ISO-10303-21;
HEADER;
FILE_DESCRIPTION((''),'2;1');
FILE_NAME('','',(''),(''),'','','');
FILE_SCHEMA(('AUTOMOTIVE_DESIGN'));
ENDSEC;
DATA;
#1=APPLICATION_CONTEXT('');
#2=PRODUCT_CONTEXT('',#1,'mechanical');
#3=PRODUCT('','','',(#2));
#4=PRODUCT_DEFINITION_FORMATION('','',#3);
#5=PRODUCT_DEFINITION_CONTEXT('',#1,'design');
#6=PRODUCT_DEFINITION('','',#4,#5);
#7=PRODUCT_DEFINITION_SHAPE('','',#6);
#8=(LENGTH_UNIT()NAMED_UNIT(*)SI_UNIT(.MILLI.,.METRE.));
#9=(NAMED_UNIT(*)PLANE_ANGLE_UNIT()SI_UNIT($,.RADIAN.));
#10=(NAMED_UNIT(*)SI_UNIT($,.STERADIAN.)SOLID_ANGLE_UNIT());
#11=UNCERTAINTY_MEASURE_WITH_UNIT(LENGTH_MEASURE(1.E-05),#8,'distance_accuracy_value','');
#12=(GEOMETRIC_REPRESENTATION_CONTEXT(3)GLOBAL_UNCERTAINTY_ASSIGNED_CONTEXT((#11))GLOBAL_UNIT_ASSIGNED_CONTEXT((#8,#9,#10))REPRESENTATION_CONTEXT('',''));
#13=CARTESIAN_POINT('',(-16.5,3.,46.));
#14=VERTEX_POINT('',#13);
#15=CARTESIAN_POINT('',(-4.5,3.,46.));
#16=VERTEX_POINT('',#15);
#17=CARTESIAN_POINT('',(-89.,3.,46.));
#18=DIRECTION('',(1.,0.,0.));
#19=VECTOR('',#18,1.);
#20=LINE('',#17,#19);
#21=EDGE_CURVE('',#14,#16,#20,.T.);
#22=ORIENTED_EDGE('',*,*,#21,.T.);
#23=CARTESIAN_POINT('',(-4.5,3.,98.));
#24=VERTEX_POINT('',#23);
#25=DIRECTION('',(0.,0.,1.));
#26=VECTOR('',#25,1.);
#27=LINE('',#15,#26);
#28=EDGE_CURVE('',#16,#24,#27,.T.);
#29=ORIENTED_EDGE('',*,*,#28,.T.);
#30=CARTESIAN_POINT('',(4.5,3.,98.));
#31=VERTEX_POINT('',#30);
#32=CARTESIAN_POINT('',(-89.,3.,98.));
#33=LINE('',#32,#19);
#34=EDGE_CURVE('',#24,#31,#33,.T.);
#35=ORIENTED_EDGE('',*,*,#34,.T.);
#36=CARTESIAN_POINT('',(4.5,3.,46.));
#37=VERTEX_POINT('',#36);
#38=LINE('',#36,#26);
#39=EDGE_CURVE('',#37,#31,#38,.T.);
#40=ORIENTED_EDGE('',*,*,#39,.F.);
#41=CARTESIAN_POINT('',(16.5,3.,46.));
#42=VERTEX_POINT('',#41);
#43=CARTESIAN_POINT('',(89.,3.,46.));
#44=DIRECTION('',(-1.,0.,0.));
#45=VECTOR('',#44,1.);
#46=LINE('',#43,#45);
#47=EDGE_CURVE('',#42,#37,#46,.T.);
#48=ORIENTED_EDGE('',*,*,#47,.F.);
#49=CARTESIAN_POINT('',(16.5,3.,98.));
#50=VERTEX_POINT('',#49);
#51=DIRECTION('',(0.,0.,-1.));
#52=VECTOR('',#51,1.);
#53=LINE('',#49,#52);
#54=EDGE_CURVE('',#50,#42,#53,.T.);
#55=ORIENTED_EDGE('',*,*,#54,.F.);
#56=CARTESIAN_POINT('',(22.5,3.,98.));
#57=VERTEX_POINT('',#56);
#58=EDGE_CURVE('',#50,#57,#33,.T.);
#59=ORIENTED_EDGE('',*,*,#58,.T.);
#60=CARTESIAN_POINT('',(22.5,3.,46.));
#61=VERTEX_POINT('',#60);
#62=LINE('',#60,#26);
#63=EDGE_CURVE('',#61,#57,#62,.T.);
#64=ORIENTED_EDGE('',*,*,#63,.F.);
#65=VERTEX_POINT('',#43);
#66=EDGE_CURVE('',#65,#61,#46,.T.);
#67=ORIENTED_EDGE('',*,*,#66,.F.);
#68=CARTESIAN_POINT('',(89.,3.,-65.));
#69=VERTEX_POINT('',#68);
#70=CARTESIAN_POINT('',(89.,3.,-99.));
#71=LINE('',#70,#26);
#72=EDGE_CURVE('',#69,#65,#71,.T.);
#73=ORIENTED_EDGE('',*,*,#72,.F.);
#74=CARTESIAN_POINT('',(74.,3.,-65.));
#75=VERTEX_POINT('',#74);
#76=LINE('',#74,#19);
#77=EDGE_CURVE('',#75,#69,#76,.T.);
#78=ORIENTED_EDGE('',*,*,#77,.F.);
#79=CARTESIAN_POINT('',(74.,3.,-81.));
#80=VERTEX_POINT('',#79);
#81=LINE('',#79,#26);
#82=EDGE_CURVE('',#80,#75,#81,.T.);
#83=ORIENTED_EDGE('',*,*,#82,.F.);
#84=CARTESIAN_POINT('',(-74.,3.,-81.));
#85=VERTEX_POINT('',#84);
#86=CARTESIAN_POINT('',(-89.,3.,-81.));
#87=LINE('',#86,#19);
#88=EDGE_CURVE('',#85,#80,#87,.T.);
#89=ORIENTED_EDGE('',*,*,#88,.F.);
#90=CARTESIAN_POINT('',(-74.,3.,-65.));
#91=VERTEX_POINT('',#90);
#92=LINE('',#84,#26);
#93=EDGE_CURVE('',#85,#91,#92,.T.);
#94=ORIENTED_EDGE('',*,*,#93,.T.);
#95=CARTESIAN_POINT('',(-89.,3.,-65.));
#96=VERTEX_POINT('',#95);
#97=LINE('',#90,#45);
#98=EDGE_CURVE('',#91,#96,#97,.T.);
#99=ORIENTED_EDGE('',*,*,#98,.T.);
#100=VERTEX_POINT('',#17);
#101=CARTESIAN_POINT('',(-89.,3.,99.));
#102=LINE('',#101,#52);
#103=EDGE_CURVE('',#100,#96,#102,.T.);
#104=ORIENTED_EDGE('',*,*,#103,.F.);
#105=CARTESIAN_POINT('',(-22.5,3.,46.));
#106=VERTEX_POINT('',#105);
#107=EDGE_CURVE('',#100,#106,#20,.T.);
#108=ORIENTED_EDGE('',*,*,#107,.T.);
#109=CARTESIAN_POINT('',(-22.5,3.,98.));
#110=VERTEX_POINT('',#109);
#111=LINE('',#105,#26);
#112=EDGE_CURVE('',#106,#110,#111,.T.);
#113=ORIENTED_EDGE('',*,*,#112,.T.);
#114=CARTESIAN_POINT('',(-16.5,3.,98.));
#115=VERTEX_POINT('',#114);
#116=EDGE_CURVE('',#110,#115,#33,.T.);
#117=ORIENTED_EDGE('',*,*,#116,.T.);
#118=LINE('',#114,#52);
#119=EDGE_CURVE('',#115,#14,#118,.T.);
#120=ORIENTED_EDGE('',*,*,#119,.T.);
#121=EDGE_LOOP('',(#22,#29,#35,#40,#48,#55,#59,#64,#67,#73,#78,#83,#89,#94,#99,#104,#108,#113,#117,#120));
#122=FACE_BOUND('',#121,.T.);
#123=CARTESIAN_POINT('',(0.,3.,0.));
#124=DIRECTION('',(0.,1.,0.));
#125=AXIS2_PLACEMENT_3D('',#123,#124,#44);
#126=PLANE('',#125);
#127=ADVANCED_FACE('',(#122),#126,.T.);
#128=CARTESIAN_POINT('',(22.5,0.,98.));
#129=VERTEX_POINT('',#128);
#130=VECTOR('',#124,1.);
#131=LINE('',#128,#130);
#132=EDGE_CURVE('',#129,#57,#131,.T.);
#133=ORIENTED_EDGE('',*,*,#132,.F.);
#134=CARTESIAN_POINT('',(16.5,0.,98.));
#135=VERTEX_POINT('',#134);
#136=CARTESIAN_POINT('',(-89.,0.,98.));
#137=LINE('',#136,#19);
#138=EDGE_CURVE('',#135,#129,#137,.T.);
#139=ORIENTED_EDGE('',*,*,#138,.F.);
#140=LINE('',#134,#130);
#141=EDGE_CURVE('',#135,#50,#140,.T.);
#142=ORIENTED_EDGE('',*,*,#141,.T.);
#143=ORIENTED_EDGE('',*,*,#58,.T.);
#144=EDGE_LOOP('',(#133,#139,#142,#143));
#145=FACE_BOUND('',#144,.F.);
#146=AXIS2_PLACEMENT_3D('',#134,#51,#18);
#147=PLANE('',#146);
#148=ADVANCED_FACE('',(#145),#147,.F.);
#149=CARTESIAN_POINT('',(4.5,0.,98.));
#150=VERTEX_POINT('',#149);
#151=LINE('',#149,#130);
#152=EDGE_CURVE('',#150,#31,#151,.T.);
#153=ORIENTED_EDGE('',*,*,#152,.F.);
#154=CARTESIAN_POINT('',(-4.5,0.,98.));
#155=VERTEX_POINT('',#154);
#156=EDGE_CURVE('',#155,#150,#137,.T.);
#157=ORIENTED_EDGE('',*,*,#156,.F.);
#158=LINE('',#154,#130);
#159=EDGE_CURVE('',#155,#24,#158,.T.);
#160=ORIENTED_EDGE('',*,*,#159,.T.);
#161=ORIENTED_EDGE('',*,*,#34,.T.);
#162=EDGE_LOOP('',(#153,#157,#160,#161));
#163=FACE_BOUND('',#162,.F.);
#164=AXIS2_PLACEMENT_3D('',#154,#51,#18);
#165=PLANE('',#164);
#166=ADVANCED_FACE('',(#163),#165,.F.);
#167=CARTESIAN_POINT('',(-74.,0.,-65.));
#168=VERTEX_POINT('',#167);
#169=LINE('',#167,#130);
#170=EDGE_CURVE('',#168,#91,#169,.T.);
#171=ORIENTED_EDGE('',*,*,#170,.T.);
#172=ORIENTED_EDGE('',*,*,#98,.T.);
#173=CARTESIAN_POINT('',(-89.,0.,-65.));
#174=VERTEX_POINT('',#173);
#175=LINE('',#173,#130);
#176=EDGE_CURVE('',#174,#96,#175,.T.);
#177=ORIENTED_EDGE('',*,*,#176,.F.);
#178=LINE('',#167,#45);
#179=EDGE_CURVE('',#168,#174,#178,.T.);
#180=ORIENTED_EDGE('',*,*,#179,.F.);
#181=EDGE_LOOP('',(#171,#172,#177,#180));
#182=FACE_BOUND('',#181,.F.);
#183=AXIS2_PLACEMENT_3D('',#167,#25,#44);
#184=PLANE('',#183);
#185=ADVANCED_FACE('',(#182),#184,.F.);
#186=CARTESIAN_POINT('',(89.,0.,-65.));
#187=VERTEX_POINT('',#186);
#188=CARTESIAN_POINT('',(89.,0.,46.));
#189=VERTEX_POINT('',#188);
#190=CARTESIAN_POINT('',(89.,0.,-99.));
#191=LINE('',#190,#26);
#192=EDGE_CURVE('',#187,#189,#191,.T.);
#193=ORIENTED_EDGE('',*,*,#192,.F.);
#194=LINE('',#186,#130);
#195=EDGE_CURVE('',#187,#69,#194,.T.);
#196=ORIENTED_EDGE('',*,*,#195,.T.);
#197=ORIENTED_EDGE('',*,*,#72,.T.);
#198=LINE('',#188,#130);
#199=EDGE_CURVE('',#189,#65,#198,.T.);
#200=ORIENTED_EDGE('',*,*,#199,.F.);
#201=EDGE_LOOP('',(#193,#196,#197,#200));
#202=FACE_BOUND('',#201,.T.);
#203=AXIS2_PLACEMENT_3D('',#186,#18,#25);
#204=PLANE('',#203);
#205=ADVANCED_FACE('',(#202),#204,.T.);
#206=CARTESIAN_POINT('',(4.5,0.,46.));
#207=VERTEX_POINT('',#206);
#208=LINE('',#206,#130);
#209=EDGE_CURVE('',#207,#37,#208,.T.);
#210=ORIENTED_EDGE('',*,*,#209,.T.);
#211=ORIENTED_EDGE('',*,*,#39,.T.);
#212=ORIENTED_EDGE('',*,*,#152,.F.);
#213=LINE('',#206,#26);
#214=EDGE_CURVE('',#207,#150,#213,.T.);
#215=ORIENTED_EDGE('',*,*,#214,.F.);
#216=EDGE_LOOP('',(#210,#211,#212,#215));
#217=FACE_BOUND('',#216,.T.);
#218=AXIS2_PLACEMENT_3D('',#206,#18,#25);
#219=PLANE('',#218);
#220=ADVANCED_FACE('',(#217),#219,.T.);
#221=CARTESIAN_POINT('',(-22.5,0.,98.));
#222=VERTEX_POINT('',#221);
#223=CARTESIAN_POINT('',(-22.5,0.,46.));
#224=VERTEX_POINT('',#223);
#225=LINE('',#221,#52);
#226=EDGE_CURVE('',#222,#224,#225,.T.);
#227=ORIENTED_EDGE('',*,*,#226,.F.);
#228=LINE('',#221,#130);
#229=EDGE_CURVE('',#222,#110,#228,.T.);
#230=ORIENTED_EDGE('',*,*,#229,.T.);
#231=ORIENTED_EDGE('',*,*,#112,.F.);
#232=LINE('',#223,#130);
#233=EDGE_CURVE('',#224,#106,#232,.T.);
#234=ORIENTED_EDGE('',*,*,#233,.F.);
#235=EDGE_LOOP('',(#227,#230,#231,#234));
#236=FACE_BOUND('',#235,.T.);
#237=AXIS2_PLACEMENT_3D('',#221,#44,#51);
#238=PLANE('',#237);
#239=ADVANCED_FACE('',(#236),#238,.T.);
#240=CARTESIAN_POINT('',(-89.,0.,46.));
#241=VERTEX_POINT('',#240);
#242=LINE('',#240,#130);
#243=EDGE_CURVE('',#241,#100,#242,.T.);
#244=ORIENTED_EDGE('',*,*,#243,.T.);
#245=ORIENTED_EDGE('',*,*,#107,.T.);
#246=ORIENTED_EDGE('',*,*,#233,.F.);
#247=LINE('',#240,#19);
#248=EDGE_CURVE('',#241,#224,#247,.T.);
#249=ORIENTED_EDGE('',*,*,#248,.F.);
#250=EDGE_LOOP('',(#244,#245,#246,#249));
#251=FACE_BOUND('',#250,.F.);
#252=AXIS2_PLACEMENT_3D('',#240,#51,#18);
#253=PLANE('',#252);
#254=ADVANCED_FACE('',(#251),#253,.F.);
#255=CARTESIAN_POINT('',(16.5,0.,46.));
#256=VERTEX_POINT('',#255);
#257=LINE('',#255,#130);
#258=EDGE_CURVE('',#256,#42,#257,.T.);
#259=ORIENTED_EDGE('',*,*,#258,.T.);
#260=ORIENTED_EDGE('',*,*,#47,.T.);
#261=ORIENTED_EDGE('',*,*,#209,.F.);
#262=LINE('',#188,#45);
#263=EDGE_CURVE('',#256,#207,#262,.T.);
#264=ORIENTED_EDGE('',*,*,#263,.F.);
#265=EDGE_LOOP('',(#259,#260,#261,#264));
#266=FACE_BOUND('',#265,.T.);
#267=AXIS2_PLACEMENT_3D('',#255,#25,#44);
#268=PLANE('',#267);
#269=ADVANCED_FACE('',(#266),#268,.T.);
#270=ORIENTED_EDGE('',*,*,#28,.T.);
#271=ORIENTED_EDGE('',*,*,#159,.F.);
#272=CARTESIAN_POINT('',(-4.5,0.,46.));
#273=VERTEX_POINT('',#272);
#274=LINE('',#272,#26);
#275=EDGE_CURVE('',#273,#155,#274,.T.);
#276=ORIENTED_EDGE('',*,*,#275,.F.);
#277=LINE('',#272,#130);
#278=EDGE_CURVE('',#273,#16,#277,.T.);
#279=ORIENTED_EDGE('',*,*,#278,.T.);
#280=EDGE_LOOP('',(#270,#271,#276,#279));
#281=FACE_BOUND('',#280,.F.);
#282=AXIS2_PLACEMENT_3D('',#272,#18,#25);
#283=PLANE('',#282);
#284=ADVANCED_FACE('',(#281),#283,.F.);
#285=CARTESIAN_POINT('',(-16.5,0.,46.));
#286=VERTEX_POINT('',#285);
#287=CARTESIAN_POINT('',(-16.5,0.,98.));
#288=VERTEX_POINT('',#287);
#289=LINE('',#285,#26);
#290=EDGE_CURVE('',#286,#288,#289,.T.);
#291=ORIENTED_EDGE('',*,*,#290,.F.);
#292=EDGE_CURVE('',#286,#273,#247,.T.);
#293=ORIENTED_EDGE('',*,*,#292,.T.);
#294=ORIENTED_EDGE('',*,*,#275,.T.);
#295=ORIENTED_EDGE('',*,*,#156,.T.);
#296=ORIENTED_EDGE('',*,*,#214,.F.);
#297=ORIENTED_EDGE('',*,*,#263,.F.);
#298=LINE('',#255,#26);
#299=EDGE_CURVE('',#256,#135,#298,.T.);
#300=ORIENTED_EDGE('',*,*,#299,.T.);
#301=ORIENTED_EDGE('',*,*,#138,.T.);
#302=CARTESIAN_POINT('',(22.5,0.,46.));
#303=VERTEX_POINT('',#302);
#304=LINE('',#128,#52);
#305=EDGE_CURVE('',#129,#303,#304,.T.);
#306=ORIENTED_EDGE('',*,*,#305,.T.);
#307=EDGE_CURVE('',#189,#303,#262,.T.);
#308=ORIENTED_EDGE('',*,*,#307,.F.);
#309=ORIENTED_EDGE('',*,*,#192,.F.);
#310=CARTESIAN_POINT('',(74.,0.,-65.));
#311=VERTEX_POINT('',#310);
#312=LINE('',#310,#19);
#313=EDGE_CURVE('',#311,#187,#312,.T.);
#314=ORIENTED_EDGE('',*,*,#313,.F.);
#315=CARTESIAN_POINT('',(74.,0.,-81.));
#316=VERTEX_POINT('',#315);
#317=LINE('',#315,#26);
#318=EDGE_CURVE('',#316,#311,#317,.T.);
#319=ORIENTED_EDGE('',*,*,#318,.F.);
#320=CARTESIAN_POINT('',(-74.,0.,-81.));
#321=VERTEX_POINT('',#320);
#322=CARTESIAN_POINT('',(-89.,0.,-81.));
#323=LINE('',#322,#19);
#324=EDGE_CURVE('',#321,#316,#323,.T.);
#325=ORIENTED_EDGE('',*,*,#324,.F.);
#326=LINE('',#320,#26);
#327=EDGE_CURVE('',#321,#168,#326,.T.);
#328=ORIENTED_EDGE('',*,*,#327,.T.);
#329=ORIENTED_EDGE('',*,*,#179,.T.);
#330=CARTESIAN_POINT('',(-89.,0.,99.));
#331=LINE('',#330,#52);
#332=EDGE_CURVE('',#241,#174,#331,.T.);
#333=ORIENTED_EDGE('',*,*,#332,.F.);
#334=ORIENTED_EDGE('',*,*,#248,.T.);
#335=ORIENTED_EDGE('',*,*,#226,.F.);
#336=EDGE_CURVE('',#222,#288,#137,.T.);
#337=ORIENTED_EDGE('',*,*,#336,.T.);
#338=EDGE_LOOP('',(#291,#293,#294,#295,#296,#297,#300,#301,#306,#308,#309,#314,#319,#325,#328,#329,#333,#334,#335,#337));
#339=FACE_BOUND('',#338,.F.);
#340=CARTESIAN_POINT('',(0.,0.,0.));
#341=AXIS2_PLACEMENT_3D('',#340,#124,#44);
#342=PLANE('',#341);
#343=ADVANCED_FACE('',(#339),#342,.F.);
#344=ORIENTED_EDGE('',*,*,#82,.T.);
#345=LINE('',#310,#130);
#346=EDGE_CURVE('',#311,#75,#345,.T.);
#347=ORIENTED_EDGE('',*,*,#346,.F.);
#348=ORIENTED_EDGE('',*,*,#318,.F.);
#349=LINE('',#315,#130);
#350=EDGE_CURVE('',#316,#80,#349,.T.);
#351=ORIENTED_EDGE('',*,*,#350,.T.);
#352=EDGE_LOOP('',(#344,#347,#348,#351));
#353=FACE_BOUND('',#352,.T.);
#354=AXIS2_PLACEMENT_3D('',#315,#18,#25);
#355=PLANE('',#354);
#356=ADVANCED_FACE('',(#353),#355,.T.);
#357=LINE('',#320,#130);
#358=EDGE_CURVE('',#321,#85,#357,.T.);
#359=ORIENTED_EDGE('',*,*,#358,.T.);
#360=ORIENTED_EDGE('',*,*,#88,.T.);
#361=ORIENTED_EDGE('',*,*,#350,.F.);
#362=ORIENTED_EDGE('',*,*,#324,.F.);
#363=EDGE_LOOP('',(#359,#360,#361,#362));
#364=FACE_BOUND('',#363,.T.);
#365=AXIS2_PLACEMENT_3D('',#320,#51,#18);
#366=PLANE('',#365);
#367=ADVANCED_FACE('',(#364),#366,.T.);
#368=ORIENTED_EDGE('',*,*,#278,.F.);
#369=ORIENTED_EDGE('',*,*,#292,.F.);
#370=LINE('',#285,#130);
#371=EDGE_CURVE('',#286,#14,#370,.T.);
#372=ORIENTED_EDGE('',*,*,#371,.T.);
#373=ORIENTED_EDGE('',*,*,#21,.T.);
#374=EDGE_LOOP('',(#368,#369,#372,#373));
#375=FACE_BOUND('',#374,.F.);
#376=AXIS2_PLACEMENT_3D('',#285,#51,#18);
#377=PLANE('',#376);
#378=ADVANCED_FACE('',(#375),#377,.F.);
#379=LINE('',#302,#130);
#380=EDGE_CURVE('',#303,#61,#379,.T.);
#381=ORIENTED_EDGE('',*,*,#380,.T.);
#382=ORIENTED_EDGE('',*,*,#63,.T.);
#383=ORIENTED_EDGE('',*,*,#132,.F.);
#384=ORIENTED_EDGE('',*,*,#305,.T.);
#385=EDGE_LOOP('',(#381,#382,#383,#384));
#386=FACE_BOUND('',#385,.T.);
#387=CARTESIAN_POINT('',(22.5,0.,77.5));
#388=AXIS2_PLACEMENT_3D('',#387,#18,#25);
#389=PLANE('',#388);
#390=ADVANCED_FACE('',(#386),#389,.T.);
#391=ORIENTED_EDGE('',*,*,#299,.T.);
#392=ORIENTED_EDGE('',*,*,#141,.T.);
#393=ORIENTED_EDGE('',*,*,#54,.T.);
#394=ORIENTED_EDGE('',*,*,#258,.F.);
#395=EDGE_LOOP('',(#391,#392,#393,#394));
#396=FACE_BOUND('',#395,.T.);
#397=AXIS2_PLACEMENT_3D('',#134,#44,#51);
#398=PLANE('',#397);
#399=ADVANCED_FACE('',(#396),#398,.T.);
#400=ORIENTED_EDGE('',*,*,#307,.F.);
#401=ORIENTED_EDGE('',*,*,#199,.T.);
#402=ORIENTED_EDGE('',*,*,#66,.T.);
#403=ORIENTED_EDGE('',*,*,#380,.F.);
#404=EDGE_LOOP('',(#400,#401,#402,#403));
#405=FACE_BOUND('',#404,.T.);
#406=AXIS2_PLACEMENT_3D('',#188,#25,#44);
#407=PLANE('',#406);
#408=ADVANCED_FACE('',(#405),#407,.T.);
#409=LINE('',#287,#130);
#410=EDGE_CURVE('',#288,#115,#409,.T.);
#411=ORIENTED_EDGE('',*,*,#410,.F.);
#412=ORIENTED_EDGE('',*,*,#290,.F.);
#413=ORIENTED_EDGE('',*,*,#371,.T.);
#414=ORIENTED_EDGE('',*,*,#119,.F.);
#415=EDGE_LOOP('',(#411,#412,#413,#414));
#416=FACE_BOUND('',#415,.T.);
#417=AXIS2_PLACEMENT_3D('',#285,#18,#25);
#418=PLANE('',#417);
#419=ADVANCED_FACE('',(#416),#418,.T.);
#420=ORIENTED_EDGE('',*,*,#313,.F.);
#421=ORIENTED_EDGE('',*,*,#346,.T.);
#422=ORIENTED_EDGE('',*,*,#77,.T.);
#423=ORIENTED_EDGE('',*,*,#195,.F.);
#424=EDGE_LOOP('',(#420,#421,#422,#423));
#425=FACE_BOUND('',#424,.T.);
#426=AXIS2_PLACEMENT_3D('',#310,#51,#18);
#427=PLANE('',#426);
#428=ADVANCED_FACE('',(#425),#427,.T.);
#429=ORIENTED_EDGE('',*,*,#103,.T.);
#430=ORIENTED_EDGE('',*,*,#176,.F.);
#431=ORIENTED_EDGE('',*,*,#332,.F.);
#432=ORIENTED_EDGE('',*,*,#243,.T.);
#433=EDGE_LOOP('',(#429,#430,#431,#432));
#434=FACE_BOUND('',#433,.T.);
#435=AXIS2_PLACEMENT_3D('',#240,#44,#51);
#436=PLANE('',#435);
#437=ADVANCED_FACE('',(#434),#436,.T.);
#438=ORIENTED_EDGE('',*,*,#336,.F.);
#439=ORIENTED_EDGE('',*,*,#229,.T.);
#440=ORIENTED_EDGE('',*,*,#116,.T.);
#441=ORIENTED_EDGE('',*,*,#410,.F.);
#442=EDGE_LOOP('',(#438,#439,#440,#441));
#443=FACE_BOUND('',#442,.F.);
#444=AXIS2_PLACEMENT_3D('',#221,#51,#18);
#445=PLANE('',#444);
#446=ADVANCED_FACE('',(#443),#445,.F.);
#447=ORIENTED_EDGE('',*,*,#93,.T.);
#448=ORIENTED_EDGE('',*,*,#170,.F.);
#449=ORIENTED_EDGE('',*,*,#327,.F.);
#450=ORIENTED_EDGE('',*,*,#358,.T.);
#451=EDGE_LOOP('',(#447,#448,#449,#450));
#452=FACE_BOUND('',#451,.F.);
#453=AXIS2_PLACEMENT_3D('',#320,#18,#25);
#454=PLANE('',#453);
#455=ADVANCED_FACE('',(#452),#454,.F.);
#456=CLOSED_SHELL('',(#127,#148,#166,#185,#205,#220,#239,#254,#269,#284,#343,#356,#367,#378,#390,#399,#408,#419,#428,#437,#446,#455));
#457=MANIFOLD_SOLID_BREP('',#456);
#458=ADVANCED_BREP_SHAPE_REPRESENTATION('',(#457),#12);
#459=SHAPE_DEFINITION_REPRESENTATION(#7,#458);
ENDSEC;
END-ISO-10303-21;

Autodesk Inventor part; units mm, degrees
ref_plane "YZ Plane" through (0, 0, 0) normal (1, 0, 0) x (0, 1, 0)
ref_plane "XZ Plane" through (0, 0, 0) normal (0, 1, 0) x (-1, 0, 0)
ref_plane "XY Plane" through (0, 0, 0) normal (0, 0, 1) x (1, 0, 0)
sketch "Sketch2" plane through (0, 0, 0) normal (0, 1, 0) x (-1, 0, 0)
  line L0 (-89, 99) -> (89, 99)
  line L1 (89, 99) -> (89, -99)
  line L2 (89, -99) -> (-89, -99)
  line L3 (-89, -99) -> (-89, 99)
  line L4 (-89, 99) -> (89, -99) construction
  line L5 (89, 99) -> (-89, -99) construction
  line L6 (-89, 99) -> (89, 99)
  line L7 (89, 99) -> (89, -81)
  line L8 (89, -81) -> (-89, -81)
  line L9 (-89, -81) -> (-89, 99)
  line L10 (-4.5, 99) -> (-89, 99)
  line L11 (-89, 99) -> (-89, 46)
  line L12 (-89, 46) -> (-4.5, 46)
  line L13 (-4.5, 46) -> (-4.5, 99)
  line L14 (4.5, 99) -> (89, 99)
  line L15 (89, 99) -> (89, 46)
  line L16 (89, 46) -> (4.5, 46)
  line L17 (4.5, 46) -> (4.5, 99)
  line L18 (22.5, 77.5) -> (22.5, 66.5) projected
  line L19 (16.5, 66.5) -> (16.5, 77.5) projected
  line L20 (-22.5, 66.5) -> (-22.5, 77.5) projected
  line L21 (-16.5, 77.5) -> (-16.5, 66.5) projected
  line L22 (-22.5, 99) -> (-16.5, 99)
  line L23 (-16.5, 99) -> (-16.5, 46)
  line L24 (-16.5, 46) -> (-22.5, 46)
  line L25 (-22.5, 46) -> (-22.5, 99)
  line L26 (16.5, 99) -> (22.5, 99)
  line L27 (22.5, 99) -> (22.5, 46)
  line L28 (22.5, 46) -> (16.5, 46)
  line L29 (16.5, 46) -> (16.5, 99)
  line L30 (-89, 99) -> (89, 99)
  line L31 (89, 99) -> (89, 98)
  line L32 (89, 98) -> (-89, 98)
  line L33 (-89, 98) -> (-89, 99)
  line L34 (89, -81) -> (74, -81)
  line L35 (74, -81) -> (74, -65)
  line L36 (74, -65) -> (89, -65)
  line L37 (89, -65) -> (89, -81)
  line L38 (-89, -81) -> (-74, -81)
  line L39 (-74, -81) -> (-74, -65)
  line L40 (-74, -65) -> (-89, -65)
  line L41 (-89, -65) -> (-89, -81)
  point P0 (0, 0)
  point P1 (4.5, 99)
  point P2 (-4.5, 99)
  point P3 (-89, 46)
  point P4 (89, 46)
  point P5 (4.5, 98)
  point P6 (-4.5, 98)
  point P7 (-16.5, 98)
  point P8 (-22.5, 98)
  point P9 (22.5, 98)
  point P10 (16.5, 98)
  dimension "d8" = 178
  dimension "d9" = 198
  dimension "d10" = 18
  dimension "d11" = 84.5
  dimension "d12" = 53
  dimension "d13" = 84.5
  dimension "d14" = 53
  dimension "d17" = 9
  dimension "d18" = 1
  dimension "d19" = 15
  dimension "d20" = 16
  dimension "d21" = 15
  dimension "d22" = 16
extrude "Extrusion2" add sketch "Sketch2" along normal blind 3 contours L32 L23 L21 L12 L25 L20 | L12 L13 L32 L17 L16 L1 L36 L35 L8 L39 L40 L3 | L32 L27 L18 L16 L29 L19
equation "\"d11\" = d13"
properties part number "base" material "Aluminum 6061-AHC"
